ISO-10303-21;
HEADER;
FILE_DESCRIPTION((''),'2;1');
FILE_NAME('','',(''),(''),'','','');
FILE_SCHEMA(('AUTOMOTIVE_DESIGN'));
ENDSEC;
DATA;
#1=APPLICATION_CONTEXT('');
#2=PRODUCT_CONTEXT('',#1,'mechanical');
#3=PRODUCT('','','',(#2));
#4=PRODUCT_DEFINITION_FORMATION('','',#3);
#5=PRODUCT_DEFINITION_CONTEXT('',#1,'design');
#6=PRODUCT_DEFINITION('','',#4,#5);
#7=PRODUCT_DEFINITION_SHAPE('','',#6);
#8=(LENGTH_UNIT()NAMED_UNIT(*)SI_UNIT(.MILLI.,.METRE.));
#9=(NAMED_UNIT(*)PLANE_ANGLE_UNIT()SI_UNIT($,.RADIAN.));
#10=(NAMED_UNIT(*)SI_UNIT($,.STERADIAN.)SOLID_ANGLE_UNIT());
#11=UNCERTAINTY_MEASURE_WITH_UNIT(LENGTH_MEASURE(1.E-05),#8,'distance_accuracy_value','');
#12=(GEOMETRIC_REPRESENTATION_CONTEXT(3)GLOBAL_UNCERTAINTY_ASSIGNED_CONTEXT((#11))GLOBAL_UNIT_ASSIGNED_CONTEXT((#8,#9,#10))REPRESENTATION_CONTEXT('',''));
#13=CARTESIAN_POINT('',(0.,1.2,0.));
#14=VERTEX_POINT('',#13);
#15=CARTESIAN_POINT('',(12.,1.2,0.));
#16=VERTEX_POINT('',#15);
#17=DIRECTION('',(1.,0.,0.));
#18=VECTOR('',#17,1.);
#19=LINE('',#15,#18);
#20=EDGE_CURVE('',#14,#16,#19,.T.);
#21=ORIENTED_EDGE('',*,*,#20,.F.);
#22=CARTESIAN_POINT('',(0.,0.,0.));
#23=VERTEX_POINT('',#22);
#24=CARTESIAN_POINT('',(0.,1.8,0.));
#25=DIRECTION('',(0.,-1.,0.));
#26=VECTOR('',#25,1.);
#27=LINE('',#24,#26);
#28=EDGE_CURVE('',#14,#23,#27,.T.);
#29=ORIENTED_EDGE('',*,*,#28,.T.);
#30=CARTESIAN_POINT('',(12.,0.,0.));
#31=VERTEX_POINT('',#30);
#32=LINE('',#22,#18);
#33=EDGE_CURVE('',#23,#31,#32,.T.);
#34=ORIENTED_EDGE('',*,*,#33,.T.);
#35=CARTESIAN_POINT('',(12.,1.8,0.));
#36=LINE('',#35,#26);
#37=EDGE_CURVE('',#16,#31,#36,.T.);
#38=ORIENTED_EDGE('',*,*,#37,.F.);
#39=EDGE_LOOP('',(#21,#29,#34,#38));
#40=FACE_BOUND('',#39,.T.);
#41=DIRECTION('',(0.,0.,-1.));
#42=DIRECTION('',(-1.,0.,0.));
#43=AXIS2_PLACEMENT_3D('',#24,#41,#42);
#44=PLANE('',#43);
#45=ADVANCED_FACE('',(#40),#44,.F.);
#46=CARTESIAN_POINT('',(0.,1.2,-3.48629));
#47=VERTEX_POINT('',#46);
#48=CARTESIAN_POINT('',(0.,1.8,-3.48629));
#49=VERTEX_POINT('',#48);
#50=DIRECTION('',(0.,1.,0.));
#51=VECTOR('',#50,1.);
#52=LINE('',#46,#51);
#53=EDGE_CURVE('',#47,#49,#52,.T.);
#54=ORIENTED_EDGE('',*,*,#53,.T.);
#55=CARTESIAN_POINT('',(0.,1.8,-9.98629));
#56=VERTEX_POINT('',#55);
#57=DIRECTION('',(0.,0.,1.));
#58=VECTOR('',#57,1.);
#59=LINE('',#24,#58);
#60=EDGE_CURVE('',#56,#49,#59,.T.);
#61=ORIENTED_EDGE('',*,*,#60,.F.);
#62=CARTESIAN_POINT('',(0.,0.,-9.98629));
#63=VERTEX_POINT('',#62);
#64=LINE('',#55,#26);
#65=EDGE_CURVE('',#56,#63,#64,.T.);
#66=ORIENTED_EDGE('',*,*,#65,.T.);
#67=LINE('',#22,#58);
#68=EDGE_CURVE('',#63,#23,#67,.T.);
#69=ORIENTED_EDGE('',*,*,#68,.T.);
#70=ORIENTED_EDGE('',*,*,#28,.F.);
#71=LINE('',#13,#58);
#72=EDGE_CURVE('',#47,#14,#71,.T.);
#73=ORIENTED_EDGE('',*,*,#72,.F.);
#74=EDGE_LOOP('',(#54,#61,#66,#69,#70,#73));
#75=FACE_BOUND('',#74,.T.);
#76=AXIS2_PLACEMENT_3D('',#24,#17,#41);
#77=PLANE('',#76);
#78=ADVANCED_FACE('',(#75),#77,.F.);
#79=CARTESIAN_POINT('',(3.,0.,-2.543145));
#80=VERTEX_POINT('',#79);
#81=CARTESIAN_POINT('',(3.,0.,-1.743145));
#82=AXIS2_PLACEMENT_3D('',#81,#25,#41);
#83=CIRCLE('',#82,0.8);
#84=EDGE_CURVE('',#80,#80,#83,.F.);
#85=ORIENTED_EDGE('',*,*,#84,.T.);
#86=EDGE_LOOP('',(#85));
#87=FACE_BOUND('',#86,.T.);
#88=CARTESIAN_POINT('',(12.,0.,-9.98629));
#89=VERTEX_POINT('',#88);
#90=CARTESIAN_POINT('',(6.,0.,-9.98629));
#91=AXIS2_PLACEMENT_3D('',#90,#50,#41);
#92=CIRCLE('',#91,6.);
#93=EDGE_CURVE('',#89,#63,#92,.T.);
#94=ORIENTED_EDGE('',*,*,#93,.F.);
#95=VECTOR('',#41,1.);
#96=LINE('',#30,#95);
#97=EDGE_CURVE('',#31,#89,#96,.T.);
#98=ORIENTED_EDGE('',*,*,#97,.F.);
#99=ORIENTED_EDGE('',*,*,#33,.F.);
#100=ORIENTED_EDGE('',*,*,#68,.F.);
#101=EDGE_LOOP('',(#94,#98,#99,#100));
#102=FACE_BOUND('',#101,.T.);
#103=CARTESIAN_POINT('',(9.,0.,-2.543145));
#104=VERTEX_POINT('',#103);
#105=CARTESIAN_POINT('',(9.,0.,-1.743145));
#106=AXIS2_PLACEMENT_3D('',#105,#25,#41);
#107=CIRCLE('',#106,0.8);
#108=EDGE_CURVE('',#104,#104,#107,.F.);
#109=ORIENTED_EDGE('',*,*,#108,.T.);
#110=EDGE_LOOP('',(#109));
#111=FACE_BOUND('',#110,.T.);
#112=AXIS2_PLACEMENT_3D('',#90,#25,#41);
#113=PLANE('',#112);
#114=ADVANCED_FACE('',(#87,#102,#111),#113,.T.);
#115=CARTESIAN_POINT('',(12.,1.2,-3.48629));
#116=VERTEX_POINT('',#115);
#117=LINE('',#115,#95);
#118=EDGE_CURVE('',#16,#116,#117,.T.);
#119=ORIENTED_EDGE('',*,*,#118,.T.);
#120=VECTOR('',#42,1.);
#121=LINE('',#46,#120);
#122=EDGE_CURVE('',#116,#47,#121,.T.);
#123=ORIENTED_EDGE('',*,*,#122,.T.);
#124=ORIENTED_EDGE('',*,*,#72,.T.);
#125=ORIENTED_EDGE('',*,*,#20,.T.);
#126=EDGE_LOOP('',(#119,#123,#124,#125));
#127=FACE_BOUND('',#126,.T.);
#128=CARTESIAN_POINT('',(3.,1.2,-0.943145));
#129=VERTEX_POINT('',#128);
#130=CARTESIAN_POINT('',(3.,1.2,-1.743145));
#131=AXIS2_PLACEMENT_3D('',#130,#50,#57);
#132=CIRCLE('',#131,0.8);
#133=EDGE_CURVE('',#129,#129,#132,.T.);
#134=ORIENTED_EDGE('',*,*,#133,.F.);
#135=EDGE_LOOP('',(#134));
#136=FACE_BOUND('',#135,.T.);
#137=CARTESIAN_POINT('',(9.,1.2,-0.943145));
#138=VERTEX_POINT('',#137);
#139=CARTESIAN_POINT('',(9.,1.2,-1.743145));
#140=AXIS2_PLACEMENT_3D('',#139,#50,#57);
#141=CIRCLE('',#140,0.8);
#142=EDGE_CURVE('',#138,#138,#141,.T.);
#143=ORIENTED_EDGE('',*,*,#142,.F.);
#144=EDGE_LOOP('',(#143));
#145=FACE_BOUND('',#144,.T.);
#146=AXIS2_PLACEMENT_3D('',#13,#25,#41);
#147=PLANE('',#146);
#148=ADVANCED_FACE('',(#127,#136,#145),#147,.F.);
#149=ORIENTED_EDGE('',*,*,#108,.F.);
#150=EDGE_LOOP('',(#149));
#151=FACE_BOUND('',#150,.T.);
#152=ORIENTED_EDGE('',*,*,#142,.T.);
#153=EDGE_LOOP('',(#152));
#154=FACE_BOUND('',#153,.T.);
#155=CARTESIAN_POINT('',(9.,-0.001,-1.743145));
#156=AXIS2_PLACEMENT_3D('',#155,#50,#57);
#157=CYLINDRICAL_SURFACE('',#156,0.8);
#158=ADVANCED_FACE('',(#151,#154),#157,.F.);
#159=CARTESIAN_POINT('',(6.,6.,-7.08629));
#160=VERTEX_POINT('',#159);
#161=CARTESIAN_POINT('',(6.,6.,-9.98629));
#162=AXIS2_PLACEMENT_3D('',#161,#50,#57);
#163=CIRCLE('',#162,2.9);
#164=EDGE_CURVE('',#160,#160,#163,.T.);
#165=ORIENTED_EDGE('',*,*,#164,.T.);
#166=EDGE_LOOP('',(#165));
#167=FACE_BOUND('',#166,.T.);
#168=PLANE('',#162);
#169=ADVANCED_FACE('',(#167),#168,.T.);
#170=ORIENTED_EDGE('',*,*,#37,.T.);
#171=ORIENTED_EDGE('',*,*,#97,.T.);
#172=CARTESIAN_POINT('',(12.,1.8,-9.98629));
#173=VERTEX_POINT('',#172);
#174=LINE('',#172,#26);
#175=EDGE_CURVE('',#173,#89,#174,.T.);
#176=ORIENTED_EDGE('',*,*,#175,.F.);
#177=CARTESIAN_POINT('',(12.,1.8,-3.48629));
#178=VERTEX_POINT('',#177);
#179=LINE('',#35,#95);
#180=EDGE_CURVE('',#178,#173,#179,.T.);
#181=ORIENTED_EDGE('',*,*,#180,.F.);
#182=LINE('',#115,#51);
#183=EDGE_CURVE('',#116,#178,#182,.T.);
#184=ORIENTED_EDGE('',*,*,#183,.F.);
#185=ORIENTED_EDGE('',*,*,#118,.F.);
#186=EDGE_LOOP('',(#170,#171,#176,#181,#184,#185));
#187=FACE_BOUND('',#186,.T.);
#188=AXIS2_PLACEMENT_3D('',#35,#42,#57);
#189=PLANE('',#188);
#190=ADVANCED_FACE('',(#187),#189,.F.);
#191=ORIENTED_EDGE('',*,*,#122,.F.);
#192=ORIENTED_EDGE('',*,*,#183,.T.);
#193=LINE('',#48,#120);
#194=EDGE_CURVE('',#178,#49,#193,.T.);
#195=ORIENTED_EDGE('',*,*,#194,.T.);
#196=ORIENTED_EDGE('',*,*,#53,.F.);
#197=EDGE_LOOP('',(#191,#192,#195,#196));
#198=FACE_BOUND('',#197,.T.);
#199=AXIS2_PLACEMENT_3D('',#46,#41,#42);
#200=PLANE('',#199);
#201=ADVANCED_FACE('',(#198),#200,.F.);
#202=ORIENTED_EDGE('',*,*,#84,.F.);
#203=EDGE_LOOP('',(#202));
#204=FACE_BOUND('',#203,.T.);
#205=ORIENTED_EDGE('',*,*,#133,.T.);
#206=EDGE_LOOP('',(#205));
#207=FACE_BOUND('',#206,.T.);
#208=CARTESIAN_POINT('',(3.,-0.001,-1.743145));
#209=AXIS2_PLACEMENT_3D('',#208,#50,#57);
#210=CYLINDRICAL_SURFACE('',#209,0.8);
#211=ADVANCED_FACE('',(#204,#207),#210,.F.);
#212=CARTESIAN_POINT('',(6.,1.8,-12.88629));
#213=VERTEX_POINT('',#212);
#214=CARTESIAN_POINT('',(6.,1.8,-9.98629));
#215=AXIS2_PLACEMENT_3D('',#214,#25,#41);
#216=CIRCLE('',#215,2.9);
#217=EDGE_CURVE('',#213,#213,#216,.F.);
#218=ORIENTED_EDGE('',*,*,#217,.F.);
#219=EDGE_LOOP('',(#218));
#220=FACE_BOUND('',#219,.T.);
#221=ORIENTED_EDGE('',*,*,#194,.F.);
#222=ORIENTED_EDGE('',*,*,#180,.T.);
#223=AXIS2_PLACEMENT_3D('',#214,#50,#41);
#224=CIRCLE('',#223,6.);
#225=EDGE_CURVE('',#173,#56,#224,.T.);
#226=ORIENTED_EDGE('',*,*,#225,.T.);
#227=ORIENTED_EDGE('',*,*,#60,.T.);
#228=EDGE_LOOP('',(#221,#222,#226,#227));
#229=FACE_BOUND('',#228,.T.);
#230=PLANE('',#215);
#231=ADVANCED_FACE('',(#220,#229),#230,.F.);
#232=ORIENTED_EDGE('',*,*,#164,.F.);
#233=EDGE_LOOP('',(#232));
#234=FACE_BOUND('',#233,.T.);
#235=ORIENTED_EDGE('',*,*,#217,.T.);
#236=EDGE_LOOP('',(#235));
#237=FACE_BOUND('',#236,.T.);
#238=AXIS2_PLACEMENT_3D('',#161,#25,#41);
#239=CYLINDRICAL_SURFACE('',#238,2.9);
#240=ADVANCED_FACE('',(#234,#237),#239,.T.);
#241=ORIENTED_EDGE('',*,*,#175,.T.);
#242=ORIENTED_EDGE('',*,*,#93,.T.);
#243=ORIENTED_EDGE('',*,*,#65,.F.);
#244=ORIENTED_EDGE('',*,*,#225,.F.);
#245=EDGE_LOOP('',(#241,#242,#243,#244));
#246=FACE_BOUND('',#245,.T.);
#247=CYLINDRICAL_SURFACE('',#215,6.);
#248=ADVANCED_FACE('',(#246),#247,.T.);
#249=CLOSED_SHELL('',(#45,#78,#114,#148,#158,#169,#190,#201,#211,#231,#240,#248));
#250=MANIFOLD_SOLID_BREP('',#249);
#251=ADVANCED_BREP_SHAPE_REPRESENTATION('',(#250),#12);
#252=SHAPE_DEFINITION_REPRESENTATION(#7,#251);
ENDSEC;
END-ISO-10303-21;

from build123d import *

# Parameters (mm, degrees)
BOSS_EXTRUDE1_DEPTH = 1.8
SKETCH3_W           = 12
SKETCH3_H           = 3.48629
CUT_EXTRUDE1_DEPTH  = 0.6
SKETCH4_R           = 2.9
BOSS_EXTRUDE2_DEPTH = 4.2
CUT_EXTRUDE2_REACH  = 22.557
SKETCH5_R           = 0.8


with BuildPart() as part:
    # Sketch2 → Boss-Extrude1 (new body)
    with BuildSketch(Plane(origin=(0, 0, 0), x_dir=(1, 0, 0), z_dir=(0, 1, 0))):
        with BuildLine():
            Line((0, 0), (0, 9.98629))
            ThreePointArc((0, 9.98629), (6, 15.98629), (12, 9.98629))
            Line((12, 9.98629), (12, 0))
            Line((12, 0), (0, 0))
        make_face()
    extrude(amount=BOSS_EXTRUDE1_DEPTH)

    # Sketch3 → Cut-Extrude1 (cut)
    with BuildSketch(Plane(origin=(0, 1.8, 0), x_dir=(1, 0, 0), z_dir=(0, 1, 0))):
        with Locations((6, 1.743145)):
            Rectangle(SKETCH3_W, SKETCH3_H)
    extrude(amount=-CUT_EXTRUDE1_DEPTH, mode=Mode.SUBTRACT)

    # Sketch4 → Boss-Extrude2 (add)
    with BuildSketch(Plane(origin=(0, 1.8, 0), x_dir=(1, 0, 0), z_dir=(0, 1, 0))):
        with Locations(Location((6, 9.98629, 0), (0, 0, 90))):
            Circle(SKETCH4_R)
    extrude(amount=BOSS_EXTRUDE2_DEPTH)

    # Sketch5 → Cut-Extrude2 (cut, up to next)
    with BuildSketch(Plane(origin=(0, 1.2, 0), x_dir=(1, 0, 0), z_dir=(0, 1, 0)), mode=Mode.PRIVATE) as cut_extrude2_sk1:
        with Locations(Location((3, 1.743145, 0), (0, 0, 270))):
            Circle(SKETCH5_R)
    cut_extrude2_tool1 = extrude(cut_extrude2_sk1.sketch, amount=-CUT_EXTRUDE2_REACH, mode=Mode.PRIVATE) & part.part
    # Sketch5 → Cut-Extrude2 (cut, up to next)
    with BuildSketch(Plane(origin=(0, 1.2, 0), x_dir=(1, 0, 0), z_dir=(0, 1, 0)), mode=Mode.PRIVATE) as cut_extrude2_sk2:
        with Locations(Location((9, 1.743145, 0), (0, 0, 270))):
            Circle(SKETCH5_R)
    cut_extrude2_tool2 = extrude(cut_extrude2_sk2.sketch, amount=-CUT_EXTRUDE2_REACH, mode=Mode.PRIVATE) & part.part
    add(cut_extrude2_tool1.solids().sort_by_distance((3, 1.2, -1.743145))[0], mode=Mode.SUBTRACT)
    add(cut_extrude2_tool2.solids().sort_by_distance((9, 1.2, -1.743145))[0], mode=Mode.SUBTRACT)


solid = part.part
